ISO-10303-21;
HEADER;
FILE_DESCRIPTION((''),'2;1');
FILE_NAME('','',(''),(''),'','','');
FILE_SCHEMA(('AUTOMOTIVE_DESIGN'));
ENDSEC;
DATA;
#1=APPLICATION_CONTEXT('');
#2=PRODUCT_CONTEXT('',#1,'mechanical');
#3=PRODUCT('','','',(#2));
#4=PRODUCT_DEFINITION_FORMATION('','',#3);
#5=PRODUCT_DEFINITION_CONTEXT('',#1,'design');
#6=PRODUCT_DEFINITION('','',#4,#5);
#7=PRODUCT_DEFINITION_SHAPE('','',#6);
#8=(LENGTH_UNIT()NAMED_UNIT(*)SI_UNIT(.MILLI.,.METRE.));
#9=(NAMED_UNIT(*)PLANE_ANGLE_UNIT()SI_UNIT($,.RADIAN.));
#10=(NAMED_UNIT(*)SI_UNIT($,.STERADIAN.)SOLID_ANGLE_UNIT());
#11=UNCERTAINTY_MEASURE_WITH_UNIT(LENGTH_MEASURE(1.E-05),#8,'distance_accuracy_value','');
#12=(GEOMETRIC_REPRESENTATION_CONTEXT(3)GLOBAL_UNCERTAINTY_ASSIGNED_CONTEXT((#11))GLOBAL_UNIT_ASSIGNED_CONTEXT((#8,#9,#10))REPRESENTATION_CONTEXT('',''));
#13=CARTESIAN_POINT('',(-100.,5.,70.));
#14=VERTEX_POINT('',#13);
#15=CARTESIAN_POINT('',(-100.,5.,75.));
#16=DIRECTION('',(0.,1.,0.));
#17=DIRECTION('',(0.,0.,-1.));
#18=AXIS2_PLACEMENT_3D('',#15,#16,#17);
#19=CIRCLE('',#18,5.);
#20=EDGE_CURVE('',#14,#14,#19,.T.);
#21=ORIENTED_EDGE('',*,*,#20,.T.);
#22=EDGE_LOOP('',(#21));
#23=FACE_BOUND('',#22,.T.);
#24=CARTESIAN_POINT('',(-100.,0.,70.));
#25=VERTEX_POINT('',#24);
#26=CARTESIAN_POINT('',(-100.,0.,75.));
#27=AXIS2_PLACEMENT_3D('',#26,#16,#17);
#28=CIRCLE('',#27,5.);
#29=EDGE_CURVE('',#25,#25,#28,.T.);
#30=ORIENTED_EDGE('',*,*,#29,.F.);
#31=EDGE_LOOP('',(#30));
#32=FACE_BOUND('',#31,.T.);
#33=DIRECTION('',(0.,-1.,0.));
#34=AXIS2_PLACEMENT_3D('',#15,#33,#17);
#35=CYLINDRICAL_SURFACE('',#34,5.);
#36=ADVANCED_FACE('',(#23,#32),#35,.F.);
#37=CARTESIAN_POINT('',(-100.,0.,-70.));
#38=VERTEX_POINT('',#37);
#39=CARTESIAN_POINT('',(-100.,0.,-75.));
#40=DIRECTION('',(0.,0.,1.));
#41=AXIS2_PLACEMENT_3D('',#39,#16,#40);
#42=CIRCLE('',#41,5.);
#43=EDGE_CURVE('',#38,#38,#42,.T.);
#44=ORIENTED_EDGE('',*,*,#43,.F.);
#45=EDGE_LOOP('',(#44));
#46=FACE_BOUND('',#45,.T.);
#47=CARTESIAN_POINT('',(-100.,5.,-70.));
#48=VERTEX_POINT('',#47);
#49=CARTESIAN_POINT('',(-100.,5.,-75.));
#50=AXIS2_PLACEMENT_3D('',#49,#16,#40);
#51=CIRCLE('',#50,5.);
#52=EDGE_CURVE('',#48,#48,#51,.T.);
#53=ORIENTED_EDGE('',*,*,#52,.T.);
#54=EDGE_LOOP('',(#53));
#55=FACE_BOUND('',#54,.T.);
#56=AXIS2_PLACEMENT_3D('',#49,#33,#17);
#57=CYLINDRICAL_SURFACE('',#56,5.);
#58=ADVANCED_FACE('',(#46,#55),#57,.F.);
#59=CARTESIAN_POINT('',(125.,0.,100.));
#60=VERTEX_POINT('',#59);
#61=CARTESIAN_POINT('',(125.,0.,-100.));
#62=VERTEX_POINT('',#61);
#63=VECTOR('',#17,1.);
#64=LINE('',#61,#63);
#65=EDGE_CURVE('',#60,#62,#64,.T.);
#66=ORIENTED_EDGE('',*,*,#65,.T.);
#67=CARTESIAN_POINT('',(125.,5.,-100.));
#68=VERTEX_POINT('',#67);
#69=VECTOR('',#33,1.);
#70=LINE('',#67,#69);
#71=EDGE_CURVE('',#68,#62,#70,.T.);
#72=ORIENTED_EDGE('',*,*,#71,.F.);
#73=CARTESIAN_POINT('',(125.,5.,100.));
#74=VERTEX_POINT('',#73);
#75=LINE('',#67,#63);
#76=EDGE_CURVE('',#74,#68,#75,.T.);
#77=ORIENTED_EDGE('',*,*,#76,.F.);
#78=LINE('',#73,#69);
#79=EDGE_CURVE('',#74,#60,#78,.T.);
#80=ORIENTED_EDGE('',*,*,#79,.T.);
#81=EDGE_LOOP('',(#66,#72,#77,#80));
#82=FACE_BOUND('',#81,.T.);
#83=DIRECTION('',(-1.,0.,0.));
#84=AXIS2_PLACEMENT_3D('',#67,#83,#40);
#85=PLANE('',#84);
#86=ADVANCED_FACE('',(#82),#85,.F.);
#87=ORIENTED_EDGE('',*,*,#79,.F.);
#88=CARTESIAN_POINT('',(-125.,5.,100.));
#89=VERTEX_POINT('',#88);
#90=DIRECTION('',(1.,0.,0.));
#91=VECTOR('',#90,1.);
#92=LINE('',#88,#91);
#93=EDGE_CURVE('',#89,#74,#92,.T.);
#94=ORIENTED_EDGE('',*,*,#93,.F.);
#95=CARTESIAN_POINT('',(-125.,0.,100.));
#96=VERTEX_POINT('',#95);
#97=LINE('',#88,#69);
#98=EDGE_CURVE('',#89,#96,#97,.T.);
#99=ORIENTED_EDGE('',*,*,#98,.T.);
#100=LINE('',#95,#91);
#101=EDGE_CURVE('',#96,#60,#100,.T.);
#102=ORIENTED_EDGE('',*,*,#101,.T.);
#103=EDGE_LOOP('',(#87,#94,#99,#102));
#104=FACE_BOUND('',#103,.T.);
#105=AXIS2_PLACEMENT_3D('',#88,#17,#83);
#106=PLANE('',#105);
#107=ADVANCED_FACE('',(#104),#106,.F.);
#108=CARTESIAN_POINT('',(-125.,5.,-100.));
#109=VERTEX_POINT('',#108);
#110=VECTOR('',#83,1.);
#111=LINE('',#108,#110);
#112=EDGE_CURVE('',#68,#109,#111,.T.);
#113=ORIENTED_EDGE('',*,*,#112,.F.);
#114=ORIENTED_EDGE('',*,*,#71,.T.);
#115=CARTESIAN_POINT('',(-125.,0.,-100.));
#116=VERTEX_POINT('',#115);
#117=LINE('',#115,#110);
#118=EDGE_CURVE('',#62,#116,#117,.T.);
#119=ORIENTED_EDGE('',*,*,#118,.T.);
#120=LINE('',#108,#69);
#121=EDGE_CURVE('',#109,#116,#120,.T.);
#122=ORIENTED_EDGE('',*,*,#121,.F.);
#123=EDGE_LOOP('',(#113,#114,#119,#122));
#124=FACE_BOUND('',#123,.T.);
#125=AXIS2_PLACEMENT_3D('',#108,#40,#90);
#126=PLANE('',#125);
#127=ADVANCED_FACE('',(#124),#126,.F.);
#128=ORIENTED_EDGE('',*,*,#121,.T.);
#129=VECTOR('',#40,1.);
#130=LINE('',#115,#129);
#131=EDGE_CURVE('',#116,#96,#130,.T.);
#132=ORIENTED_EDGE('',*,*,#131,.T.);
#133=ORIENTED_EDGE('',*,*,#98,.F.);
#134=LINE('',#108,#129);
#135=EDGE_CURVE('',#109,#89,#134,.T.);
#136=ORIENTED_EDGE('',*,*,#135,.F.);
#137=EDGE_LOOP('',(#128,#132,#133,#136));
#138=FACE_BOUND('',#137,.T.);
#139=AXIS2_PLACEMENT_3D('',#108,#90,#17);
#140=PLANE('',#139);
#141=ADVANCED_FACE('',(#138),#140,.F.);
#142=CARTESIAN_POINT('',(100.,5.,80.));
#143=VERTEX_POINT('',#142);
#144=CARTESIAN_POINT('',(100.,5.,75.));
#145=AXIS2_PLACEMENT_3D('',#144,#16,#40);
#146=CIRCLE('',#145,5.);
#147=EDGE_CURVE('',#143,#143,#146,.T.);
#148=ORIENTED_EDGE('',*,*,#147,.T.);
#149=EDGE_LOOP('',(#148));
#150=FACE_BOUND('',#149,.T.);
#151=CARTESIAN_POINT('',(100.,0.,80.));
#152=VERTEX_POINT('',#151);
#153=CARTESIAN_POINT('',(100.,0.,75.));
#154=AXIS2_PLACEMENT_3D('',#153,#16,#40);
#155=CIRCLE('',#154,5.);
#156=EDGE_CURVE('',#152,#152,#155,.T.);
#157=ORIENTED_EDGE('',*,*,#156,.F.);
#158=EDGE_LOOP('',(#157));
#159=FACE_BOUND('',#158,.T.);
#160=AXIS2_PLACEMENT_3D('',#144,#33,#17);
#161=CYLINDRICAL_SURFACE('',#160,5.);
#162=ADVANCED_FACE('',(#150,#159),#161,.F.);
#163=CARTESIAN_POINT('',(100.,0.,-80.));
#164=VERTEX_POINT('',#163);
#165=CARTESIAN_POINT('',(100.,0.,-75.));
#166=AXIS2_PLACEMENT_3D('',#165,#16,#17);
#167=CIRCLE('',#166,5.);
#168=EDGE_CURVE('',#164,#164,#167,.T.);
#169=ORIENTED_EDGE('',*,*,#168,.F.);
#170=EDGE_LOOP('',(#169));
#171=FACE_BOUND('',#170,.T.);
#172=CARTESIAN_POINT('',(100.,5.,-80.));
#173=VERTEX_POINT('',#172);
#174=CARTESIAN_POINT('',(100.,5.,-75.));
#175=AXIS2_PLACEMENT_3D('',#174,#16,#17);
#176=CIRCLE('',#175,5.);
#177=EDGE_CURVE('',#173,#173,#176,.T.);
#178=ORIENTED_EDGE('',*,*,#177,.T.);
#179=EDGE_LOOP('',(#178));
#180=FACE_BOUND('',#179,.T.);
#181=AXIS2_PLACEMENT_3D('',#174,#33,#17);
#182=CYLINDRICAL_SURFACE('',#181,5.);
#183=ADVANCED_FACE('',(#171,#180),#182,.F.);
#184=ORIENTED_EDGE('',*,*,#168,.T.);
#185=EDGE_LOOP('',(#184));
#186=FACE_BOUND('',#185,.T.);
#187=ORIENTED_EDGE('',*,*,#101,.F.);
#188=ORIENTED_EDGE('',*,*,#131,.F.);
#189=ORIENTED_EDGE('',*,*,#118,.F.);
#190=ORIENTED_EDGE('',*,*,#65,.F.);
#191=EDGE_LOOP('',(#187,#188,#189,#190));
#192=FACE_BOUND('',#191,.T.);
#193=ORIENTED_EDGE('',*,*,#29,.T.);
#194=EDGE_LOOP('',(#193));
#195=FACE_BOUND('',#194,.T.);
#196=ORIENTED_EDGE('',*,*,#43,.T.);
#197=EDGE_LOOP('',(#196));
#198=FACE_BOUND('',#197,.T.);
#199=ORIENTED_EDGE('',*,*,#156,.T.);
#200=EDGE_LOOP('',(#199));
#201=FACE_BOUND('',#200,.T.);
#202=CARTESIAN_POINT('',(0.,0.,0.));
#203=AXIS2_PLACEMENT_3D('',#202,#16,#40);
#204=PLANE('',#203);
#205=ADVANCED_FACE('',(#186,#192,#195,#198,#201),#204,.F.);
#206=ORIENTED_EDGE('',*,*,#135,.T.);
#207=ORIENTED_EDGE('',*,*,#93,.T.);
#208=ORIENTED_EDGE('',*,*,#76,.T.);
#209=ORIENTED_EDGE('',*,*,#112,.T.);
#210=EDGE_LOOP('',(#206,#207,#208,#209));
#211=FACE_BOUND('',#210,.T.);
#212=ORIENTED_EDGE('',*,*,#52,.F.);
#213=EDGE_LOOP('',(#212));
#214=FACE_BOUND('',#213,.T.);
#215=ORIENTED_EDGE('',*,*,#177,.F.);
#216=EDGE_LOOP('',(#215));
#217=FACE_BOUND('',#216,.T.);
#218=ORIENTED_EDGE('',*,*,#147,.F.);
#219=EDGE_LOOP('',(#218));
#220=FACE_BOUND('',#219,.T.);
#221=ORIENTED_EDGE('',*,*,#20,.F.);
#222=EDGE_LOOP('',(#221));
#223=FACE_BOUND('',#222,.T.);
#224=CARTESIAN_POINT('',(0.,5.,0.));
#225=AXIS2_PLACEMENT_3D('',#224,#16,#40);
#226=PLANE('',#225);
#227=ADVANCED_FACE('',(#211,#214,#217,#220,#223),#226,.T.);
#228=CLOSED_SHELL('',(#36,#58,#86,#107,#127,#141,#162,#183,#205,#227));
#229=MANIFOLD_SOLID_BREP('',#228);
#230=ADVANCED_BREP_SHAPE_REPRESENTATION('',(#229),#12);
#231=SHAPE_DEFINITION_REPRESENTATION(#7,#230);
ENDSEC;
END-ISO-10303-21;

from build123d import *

# Parameters (mm, degrees)
SKETCH1_W           = 250
SKETCH1_H           = 200
BOSS_EXTRUDE1_DEPTH = 5
SKETCH3_R           = 5
HOLES_DEPTH         = 161.15617378


with BuildPart() as part:
    # Sketch1 → Boss-Extrude1 (new body)
    with BuildSketch(Plane(origin=(0, 0, 0), x_dir=(1, 0, 0), z_dir=(0, 1, 0))):
        Rectangle(SKETCH1_W, SKETCH1_H)
    extrude(amount=BOSS_EXTRUDE1_DEPTH)

    # Sketch3 → holes (cut, through all)
    with BuildSketch(Plane(origin=(0, 0, 0), x_dir=(1, 0, 0), z_dir=(0, 1, 0))):
        with Locations(Location((-100, 75, 0), (0, 0, 270))):
            Circle(SKETCH3_R)
        with Locations(Location((100, 75, 0), (0, 0, 90))):
            Circle(SKETCH3_R)
        with Locations(Location((100, -75, 0), (0, 0, 270))):
            Circle(SKETCH3_R)
        with Locations(Location((-100, -75, 0), (0, 0, 90))):
            Circle(SKETCH3_R)
    extrude(amount=HOLES_DEPTH, mode=Mode.SUBTRACT)


solid = part.part
